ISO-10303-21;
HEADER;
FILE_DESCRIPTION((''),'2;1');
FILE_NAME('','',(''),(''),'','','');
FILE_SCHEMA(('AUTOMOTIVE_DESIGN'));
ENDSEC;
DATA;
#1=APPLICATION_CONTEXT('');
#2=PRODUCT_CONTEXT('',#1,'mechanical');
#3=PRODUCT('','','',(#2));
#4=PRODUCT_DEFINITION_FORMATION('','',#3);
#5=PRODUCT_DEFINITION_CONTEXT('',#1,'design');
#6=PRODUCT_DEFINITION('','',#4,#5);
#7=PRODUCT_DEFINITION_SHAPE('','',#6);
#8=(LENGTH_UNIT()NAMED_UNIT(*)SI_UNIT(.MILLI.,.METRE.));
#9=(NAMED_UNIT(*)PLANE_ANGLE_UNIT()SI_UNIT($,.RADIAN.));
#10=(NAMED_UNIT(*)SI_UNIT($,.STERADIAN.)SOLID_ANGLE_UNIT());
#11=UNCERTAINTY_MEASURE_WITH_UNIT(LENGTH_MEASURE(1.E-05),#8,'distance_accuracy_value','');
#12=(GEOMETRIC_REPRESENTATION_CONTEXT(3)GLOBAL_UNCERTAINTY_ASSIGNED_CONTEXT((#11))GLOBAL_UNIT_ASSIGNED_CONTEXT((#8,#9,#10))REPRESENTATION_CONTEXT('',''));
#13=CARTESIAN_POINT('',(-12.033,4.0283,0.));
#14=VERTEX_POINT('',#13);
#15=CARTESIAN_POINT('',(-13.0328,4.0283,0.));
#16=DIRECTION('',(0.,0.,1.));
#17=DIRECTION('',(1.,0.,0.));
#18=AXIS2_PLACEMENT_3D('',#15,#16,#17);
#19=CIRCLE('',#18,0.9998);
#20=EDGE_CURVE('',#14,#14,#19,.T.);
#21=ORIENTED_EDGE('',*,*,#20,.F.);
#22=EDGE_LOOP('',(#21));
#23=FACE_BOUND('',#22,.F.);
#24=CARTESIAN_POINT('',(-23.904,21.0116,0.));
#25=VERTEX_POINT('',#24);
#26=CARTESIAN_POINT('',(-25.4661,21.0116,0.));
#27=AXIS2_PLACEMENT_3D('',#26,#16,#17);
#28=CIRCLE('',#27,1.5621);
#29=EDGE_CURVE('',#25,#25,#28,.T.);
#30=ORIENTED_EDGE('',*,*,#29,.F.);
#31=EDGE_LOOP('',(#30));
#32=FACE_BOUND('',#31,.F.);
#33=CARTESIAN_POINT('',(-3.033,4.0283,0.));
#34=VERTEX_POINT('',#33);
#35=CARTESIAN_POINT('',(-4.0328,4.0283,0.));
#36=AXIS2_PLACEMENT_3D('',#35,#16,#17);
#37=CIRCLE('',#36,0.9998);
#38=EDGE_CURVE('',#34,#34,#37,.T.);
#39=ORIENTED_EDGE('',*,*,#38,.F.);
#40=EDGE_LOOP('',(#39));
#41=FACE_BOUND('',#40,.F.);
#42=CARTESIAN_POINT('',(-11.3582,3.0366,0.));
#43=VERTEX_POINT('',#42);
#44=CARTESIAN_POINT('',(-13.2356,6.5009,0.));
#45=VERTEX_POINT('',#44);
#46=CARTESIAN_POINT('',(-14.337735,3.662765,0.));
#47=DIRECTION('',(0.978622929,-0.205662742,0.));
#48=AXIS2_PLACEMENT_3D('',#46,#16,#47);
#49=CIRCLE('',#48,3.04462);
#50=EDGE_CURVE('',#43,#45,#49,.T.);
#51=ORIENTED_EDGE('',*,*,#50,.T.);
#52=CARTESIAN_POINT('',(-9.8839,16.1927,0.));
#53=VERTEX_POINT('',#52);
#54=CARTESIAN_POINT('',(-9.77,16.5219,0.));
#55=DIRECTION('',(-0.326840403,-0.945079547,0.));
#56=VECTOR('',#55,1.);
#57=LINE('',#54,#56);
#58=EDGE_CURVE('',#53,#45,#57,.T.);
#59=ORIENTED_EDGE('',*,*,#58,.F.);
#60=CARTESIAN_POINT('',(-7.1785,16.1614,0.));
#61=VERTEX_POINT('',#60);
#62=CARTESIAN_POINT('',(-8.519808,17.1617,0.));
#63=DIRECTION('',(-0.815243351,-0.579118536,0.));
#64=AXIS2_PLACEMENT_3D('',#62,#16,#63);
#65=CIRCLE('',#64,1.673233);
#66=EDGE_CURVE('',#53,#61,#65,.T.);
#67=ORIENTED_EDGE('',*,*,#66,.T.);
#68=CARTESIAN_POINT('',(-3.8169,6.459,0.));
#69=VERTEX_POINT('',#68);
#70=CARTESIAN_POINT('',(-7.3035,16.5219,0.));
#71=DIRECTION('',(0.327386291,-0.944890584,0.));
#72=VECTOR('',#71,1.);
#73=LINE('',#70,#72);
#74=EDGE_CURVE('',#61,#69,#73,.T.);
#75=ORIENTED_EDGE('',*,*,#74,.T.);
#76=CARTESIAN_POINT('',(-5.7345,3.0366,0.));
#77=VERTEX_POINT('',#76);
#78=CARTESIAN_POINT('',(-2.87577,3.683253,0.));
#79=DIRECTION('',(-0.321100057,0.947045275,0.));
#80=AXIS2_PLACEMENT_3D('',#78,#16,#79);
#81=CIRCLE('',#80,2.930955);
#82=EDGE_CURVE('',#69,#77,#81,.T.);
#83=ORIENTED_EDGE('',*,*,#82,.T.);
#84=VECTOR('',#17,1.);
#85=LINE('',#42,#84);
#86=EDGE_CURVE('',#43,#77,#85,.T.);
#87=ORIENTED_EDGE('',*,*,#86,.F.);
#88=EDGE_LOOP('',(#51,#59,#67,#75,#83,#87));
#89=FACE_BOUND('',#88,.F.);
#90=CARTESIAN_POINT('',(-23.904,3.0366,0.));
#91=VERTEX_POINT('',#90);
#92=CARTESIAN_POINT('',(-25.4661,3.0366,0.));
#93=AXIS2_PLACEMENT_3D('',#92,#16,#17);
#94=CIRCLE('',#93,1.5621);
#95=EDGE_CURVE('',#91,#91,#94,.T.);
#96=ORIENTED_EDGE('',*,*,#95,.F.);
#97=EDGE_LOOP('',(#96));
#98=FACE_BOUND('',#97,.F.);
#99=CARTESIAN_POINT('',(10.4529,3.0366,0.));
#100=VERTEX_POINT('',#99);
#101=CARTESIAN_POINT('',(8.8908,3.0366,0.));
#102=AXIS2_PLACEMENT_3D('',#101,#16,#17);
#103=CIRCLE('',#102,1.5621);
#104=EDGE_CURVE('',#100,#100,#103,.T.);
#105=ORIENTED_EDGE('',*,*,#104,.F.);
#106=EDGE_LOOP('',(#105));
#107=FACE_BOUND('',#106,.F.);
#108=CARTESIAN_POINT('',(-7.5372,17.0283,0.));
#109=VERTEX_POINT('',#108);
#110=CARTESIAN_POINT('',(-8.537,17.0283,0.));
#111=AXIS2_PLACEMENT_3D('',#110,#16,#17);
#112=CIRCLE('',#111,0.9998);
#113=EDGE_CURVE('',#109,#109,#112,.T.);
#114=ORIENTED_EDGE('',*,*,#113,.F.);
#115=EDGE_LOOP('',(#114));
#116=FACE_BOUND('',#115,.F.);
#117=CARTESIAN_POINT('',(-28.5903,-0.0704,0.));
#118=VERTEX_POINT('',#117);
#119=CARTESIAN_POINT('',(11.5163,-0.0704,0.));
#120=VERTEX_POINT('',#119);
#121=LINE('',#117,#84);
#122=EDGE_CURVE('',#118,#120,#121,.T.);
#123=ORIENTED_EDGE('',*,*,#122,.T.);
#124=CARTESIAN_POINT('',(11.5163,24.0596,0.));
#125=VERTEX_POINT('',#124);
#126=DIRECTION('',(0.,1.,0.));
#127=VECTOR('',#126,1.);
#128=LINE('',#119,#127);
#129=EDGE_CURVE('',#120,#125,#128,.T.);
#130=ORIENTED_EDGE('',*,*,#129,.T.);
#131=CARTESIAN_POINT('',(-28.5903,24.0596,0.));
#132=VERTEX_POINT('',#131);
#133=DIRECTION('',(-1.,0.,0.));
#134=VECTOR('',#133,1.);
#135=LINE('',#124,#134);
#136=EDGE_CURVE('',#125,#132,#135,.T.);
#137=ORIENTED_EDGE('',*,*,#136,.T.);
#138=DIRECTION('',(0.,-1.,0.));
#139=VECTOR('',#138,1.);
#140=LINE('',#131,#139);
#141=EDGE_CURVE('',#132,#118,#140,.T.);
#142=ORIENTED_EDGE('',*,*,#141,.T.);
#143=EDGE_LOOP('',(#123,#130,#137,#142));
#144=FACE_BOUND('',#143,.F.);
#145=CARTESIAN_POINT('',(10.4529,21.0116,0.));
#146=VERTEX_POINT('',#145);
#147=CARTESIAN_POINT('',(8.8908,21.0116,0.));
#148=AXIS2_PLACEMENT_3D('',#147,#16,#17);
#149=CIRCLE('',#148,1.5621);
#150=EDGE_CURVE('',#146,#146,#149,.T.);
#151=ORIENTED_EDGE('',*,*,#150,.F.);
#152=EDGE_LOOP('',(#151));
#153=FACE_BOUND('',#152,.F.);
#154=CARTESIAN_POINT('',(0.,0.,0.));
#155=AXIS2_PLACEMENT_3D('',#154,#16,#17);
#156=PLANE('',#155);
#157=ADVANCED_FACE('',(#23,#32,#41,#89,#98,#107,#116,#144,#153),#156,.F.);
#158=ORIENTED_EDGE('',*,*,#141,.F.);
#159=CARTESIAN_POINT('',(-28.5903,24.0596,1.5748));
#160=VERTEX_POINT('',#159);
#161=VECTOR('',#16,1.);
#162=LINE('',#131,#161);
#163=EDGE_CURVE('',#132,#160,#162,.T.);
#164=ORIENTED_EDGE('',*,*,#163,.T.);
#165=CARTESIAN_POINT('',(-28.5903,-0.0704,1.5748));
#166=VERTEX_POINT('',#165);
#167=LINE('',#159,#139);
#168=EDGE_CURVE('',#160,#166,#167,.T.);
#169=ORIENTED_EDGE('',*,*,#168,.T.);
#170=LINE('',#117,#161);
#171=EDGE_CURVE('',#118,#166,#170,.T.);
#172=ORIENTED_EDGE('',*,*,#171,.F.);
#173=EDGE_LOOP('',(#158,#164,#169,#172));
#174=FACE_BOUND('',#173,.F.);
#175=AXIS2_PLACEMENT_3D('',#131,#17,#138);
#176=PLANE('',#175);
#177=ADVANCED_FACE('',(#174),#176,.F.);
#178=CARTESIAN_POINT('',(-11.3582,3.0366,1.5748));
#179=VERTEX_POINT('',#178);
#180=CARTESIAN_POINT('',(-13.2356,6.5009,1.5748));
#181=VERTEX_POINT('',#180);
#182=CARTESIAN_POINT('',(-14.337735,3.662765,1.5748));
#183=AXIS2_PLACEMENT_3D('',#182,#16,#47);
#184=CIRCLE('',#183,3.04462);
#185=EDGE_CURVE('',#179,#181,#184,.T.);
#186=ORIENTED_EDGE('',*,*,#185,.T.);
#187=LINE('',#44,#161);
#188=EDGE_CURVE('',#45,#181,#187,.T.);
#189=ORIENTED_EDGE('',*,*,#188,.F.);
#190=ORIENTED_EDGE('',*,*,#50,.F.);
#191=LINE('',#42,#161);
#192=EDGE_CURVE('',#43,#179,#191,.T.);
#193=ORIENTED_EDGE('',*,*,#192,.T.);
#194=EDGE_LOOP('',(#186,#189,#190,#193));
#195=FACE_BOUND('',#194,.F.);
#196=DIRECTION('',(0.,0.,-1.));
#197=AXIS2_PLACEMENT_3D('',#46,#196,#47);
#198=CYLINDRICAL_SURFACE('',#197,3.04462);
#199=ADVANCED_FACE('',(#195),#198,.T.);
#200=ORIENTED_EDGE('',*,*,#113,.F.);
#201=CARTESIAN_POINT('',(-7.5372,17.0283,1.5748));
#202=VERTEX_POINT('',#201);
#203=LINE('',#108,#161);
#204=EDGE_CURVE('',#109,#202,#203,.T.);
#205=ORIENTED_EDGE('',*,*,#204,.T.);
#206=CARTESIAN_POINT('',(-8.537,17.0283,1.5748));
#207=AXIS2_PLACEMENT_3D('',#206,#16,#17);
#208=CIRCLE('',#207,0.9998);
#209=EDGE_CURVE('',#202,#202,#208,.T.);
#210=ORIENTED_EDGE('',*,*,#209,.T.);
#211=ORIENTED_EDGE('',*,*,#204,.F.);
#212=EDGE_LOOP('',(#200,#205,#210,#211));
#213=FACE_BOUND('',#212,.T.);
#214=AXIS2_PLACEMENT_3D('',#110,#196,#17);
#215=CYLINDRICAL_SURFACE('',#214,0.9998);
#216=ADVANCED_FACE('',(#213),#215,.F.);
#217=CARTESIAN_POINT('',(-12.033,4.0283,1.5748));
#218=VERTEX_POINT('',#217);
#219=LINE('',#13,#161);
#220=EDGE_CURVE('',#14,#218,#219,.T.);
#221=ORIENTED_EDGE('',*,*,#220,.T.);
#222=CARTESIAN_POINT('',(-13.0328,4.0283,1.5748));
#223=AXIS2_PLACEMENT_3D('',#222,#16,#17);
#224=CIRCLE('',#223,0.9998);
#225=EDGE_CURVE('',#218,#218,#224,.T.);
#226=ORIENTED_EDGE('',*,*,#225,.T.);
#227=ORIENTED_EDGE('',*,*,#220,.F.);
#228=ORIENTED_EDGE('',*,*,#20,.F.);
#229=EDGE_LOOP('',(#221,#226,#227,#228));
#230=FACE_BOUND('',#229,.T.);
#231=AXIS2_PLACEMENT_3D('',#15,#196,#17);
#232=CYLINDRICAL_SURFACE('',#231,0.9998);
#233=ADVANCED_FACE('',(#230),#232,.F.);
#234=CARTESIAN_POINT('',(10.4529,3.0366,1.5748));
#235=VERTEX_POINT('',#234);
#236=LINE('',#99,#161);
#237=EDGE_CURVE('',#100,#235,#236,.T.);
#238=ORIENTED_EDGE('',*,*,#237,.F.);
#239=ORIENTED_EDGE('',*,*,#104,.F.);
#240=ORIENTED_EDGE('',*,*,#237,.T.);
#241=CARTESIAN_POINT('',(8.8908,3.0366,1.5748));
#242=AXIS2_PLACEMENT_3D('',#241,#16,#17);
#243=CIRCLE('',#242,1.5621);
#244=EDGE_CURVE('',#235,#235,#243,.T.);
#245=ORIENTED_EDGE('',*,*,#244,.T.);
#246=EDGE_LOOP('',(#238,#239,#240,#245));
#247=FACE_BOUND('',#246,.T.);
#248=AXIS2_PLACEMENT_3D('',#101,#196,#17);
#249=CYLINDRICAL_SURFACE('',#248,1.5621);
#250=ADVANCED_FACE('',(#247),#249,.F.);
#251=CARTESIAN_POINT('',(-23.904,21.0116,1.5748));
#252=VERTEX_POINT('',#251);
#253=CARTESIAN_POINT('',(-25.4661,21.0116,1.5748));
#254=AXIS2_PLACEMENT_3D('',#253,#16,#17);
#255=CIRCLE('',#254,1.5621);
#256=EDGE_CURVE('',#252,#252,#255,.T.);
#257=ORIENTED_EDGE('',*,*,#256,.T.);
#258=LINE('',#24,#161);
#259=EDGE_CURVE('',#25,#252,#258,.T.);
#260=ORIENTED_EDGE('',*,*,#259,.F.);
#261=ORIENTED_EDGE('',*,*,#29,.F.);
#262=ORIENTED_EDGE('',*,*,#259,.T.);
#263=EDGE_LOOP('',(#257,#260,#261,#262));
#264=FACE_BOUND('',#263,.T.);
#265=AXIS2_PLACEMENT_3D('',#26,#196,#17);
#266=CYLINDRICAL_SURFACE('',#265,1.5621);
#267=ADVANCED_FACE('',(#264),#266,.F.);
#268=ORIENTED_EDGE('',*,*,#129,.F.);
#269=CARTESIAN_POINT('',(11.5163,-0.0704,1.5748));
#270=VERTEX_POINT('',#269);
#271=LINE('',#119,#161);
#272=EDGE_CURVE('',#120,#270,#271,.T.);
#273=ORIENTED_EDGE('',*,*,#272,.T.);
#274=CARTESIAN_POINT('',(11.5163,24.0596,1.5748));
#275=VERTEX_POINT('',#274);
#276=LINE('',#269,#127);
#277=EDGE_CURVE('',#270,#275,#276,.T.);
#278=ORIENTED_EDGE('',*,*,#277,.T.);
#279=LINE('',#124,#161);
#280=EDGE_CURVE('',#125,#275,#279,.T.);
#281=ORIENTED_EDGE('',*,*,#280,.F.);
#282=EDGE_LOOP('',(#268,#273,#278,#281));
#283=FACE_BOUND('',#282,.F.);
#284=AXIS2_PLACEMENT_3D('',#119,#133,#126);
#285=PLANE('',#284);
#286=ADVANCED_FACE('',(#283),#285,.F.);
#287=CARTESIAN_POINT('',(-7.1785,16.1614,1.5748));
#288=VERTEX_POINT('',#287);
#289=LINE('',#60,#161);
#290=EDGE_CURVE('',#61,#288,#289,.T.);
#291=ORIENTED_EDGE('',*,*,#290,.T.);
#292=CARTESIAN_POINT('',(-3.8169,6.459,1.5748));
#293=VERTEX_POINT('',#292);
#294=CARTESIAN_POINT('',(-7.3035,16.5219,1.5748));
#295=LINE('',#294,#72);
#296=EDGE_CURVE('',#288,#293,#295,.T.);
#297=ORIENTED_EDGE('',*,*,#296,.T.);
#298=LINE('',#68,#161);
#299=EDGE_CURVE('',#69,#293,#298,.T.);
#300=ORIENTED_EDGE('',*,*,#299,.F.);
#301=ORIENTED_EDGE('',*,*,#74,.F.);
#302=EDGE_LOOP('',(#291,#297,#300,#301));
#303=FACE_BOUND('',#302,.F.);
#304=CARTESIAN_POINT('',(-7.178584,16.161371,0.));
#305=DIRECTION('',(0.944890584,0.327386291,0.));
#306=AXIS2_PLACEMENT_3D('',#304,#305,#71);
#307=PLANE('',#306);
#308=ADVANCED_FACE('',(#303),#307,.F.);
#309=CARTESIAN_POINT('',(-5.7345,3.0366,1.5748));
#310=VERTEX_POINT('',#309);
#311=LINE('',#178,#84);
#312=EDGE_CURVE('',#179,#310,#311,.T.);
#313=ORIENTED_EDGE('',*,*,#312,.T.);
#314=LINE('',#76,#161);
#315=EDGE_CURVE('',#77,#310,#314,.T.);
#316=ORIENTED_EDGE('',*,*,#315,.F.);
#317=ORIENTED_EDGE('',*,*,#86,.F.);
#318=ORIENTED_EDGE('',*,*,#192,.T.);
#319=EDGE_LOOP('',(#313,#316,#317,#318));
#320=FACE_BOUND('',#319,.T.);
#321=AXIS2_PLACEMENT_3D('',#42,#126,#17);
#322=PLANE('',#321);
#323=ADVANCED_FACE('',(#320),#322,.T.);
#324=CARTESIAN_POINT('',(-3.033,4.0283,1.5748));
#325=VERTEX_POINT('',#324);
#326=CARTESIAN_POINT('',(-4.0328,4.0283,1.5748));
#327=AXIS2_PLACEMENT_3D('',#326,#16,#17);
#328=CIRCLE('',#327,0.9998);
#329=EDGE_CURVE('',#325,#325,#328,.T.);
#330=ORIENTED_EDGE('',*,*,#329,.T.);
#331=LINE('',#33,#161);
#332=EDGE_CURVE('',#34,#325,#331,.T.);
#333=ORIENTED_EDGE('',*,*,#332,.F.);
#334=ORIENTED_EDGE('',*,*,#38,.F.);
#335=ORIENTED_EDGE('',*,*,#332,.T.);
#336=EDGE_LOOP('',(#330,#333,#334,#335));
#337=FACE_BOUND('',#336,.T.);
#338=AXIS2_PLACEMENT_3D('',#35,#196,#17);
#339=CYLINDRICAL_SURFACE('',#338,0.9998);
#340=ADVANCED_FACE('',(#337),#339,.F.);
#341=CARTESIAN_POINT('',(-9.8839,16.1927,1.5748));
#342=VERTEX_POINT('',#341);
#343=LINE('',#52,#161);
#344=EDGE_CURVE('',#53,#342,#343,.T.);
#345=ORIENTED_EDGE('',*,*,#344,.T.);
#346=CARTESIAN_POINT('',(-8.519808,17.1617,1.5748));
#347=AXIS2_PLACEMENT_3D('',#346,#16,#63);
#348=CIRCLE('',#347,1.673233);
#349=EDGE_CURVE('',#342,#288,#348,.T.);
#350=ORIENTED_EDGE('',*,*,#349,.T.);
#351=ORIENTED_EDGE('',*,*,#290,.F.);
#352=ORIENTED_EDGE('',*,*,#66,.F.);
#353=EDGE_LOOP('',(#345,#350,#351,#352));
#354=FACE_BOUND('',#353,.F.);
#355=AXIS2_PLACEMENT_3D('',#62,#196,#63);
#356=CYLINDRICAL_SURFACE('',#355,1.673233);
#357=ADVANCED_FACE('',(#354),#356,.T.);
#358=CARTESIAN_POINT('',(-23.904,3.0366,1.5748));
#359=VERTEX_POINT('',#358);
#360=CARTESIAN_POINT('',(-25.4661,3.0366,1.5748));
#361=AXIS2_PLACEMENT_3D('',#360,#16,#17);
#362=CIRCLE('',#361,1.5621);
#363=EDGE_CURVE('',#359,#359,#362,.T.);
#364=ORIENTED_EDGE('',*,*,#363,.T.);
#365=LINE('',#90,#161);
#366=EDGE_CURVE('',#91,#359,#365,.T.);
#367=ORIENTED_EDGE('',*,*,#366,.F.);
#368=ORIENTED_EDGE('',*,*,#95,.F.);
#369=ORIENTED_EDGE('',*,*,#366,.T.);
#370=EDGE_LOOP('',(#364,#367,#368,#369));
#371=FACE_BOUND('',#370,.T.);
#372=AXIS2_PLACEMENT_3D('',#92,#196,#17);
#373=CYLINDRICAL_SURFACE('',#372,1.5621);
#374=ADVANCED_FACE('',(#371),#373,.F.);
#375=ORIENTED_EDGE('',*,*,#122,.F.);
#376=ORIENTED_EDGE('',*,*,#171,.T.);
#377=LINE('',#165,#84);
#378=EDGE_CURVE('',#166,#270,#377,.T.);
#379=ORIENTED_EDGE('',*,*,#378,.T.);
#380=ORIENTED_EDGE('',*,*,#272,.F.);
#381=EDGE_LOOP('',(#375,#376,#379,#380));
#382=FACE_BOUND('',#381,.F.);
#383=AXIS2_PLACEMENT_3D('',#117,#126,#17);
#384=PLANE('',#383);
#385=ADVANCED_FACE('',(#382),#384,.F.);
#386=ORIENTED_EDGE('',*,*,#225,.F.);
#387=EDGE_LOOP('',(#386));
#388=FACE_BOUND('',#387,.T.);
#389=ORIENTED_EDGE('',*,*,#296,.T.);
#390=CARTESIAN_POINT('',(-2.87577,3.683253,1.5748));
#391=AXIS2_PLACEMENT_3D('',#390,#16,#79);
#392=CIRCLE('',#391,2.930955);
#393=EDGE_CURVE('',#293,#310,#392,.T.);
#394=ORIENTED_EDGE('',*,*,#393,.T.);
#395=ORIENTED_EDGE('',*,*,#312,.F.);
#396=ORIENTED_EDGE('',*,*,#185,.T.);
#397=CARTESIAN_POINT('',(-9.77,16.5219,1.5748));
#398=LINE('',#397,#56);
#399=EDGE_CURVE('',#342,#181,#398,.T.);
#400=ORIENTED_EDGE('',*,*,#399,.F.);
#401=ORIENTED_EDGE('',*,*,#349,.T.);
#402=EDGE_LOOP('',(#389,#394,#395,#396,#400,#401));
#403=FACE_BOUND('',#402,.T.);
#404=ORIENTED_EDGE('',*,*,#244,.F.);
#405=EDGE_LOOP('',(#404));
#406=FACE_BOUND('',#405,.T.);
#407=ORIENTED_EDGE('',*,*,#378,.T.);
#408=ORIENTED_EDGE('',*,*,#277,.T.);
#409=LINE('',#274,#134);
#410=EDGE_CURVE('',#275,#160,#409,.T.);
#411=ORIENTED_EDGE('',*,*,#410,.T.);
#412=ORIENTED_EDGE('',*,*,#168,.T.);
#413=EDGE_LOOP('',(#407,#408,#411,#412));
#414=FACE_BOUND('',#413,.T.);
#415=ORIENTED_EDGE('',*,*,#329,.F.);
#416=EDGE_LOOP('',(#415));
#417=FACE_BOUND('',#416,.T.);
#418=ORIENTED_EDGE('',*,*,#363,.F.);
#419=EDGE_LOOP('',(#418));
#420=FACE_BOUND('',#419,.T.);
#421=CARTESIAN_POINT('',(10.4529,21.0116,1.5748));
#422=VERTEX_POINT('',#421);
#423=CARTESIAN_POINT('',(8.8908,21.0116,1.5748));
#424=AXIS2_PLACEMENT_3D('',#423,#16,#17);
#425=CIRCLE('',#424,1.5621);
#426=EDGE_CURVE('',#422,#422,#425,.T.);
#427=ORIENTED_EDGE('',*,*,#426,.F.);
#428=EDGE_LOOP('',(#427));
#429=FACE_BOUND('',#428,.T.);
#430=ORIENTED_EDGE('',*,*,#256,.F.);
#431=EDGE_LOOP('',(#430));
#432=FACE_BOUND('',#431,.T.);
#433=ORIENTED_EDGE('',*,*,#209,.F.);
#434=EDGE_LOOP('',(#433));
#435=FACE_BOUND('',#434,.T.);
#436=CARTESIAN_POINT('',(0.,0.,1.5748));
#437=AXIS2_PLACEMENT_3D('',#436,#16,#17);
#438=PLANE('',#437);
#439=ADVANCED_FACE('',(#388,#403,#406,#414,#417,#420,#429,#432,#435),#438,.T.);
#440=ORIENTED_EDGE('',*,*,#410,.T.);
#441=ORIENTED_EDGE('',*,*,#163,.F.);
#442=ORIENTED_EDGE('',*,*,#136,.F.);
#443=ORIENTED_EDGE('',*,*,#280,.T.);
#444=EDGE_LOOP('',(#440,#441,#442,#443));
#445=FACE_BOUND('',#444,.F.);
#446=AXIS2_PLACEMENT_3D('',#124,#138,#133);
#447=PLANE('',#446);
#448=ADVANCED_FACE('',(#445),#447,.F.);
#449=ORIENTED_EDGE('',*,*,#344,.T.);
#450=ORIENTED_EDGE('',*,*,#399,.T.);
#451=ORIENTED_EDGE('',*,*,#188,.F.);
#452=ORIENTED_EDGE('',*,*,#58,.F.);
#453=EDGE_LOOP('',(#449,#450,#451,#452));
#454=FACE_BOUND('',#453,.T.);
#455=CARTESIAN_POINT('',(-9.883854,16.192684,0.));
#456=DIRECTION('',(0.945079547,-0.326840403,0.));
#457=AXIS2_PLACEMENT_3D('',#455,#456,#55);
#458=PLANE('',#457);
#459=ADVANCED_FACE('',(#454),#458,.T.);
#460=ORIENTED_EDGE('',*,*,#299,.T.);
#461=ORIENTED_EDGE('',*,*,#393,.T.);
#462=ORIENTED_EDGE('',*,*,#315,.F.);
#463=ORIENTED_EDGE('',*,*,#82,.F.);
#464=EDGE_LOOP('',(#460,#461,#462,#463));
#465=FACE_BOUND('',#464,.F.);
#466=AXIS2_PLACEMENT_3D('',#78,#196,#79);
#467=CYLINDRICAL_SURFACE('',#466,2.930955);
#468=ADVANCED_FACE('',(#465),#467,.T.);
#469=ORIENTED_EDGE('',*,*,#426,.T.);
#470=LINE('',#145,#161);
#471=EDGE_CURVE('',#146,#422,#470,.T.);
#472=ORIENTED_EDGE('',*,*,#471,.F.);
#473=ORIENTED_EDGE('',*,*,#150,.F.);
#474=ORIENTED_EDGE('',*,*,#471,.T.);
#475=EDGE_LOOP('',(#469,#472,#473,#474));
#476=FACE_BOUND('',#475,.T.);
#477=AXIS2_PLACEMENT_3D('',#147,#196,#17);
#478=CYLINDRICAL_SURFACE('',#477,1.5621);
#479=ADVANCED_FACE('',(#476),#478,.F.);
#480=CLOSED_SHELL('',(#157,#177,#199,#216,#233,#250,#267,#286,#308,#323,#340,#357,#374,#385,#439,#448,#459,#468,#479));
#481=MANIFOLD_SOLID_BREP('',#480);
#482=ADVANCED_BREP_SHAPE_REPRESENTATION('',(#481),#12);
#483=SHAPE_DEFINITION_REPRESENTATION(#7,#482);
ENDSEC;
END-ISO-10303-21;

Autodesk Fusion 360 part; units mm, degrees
sketch "Sketch1" plane through (0, 0, 0) normal (0, 0, 1) x (1, 0, 0)
  line L0 (-28.5903, -0.0704) -> (11.5163, -0.0704)
  line L1 (11.5163, -0.0704) -> (11.5163, 24.0596)
  line L2 (11.5163, 24.0596) -> (-28.5903, 24.0596)
  line L3 (-28.5903, 24.0596) -> (-28.5903, -0.0704)
  line L4 (-8.537, 24.0596) -> (-8.537, -0.0704) construction
  line L5 (-28.5903, 3.0284) -> (11.5163, 3.0284) construction
  circle A0 centre (-25.4661, 21.0116) radius 1.5621
  circle A1 centre (8.8908, 21.0116) radius 1.5621
  circle A2 centre (8.8908, 3.0366) radius 1.5621
  circle A3 centre (-25.4661, 3.0366) radius 1.5621
  line L6 (-25.4661, 21.0116) -> (-25.4661, 3.0366) construction
  line L7 (-25.4661, 3.0366) -> (8.8908, 3.0366) construction
  line L8 (8.8908, 3.0366) -> (8.8908, 21.0116) construction
  line L9 (8.8908, 21.0116) -> (-25.4661, 21.0116) construction
  line L10 (-17.572, 16.5219) -> (-0.0282, 16.5219) construction
  line L11 (-13.6343, 7.2364) -> (-11.3582, 3.0366) construction
  line L12 (-5.7345, 3.0366) -> (-3.185, 7.5867) construction
  circle A4 centre (-8.537, 17.0283) radius 0.9998
  circle A5 centre (-4.0328, 4.0283) radius 0.9998
  circle A6 centre (-13.0328, 4.0283) radius 0.9998
  line L13 (-9.4819, 17.355) -> (-13.9777, 4.355) construction
  line L14 (-7.5923, 17.3556) -> (-3.0881, 4.3556) construction
  line L15 (-9.77, 16.5219) -> (-13.2356, 6.5009)
  line L16 (-7.3035, 16.5219) -> (-3.8169, 6.459)
  line L17 (-11.3582, 3.0366) -> (-5.7345, 3.0366)
  arc A7 (-11.3582, 3.0366) -> (-13.2356, 6.5009) centre (-14.3377, 3.6627) ccw
  arc A8 (-3.8169, 6.459) -> (-5.7345, 3.0366) centre (-2.8758, 3.6832) ccw
  arc A9 (-9.8839, 16.1927) -> (-7.1785, 16.1614) centre (-8.5198, 17.1617) ccw
  point P0 (-13.2356, 6.5009)
  point P1 (-3.8169, 6.459)
  dimension "d1" = 40.1066
  dimension "d2" = 24.13
  dimension "d12" = 3.0988
  dimension "d15" = 3.1242
  dimension "d16" = 3.048
  dimension "d17" = 3.1242
  dimension "d25" = 13
  dimension "d26" = 9
  dimension "d27" = 13
  dimension "d28" = 4.4958
  dimension "d29" = 4.5042
extrude "Extrude1" add sketch "Sketch1" along normal blind 1.5748
